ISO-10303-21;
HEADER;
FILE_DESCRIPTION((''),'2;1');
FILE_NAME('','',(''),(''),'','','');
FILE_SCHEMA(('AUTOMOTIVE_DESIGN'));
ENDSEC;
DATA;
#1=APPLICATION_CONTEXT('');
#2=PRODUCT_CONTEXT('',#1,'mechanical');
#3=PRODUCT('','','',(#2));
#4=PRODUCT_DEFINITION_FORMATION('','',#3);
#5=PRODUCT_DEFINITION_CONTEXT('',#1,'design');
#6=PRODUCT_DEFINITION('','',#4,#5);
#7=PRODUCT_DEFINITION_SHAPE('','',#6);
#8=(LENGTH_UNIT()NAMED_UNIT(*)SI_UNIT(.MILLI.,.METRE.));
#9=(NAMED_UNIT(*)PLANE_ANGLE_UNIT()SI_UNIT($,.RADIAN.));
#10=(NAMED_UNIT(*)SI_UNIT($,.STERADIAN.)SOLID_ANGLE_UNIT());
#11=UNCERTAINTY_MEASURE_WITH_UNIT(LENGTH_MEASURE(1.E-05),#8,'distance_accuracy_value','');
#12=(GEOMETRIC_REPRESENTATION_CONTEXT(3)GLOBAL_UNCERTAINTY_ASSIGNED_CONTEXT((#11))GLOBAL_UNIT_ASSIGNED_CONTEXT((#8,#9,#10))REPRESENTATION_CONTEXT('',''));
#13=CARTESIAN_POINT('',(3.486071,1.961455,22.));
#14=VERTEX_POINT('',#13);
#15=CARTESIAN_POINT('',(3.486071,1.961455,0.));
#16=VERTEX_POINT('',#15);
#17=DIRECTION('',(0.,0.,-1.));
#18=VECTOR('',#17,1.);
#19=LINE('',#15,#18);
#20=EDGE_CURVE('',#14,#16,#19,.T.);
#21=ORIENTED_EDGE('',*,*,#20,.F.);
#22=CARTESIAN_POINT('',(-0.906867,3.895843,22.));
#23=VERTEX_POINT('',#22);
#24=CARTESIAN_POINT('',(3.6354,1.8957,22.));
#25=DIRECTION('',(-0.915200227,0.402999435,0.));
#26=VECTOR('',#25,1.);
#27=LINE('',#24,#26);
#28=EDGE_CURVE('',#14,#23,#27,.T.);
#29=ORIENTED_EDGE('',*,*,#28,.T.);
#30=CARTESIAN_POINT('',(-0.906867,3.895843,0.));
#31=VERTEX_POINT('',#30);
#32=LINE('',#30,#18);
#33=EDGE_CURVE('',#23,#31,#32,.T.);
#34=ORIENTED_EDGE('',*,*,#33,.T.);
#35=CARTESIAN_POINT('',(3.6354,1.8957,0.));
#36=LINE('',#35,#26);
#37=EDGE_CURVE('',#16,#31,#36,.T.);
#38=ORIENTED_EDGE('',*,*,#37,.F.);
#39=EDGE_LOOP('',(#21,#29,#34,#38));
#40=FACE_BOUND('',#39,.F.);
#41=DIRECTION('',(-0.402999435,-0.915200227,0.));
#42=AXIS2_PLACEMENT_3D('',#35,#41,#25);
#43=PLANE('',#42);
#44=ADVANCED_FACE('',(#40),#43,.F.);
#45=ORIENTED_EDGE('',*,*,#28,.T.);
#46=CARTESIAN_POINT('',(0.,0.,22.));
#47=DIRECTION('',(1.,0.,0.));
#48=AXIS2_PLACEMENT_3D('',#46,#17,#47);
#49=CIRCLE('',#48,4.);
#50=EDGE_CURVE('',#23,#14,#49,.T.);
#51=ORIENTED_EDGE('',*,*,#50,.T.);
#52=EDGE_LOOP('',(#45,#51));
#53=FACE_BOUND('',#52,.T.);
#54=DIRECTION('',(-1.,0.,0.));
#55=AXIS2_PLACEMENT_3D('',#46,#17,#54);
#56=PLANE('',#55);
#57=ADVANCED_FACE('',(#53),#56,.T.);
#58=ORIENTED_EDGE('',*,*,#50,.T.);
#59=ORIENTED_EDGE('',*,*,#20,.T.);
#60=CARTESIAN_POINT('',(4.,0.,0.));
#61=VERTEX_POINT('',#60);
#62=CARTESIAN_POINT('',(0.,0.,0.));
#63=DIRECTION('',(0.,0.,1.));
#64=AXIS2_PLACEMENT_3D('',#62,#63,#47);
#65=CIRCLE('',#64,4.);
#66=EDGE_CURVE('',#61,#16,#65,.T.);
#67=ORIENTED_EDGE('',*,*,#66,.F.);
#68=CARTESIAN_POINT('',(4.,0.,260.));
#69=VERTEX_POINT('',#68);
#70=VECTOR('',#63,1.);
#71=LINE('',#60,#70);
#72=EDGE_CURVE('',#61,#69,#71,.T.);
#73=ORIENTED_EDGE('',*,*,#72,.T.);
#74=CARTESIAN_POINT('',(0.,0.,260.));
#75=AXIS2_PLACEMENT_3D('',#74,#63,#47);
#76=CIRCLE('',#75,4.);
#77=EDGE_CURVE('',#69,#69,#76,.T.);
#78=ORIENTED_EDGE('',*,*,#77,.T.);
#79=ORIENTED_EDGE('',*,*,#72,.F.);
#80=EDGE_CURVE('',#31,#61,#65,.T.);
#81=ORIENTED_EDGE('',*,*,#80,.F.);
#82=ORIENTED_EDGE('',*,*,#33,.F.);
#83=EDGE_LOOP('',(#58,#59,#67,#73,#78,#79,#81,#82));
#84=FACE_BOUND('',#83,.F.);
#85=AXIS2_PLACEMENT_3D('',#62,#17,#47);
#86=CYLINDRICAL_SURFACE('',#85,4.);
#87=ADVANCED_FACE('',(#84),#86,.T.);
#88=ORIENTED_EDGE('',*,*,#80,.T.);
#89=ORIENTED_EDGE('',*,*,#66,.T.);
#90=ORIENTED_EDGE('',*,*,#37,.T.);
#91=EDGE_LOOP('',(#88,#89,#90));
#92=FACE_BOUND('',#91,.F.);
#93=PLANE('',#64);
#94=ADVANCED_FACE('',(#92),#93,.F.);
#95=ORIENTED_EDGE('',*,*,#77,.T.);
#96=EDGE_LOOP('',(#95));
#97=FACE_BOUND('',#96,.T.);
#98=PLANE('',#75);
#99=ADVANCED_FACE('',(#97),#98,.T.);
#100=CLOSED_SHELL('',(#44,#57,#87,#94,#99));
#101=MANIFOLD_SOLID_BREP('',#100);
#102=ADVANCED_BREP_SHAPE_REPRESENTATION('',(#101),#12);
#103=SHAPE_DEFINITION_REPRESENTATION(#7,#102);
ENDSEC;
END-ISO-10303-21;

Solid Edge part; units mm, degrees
sketch "Sketch1" plane through (0, 0, 0) normal (0, 0, 1) x (1, 0, 0)
  circle A0 centre (0, 0) radius 4
extrude "Protrusion1" add sketch "Sketch1" along normal blind 260
sketch "Sketch2" plane through (0, 0, 0) normal (0, 0, -1) x (0, 1, 0)
  line L0 (1.8957, 3.6354) -> (3.9616, -1.0562)
extrude "ExtrudedCutout_1" cut sketch "Sketch2" against normal blind 22 material side at (1.3097, 2.9744, 0)
properties material "Stainless steel"
